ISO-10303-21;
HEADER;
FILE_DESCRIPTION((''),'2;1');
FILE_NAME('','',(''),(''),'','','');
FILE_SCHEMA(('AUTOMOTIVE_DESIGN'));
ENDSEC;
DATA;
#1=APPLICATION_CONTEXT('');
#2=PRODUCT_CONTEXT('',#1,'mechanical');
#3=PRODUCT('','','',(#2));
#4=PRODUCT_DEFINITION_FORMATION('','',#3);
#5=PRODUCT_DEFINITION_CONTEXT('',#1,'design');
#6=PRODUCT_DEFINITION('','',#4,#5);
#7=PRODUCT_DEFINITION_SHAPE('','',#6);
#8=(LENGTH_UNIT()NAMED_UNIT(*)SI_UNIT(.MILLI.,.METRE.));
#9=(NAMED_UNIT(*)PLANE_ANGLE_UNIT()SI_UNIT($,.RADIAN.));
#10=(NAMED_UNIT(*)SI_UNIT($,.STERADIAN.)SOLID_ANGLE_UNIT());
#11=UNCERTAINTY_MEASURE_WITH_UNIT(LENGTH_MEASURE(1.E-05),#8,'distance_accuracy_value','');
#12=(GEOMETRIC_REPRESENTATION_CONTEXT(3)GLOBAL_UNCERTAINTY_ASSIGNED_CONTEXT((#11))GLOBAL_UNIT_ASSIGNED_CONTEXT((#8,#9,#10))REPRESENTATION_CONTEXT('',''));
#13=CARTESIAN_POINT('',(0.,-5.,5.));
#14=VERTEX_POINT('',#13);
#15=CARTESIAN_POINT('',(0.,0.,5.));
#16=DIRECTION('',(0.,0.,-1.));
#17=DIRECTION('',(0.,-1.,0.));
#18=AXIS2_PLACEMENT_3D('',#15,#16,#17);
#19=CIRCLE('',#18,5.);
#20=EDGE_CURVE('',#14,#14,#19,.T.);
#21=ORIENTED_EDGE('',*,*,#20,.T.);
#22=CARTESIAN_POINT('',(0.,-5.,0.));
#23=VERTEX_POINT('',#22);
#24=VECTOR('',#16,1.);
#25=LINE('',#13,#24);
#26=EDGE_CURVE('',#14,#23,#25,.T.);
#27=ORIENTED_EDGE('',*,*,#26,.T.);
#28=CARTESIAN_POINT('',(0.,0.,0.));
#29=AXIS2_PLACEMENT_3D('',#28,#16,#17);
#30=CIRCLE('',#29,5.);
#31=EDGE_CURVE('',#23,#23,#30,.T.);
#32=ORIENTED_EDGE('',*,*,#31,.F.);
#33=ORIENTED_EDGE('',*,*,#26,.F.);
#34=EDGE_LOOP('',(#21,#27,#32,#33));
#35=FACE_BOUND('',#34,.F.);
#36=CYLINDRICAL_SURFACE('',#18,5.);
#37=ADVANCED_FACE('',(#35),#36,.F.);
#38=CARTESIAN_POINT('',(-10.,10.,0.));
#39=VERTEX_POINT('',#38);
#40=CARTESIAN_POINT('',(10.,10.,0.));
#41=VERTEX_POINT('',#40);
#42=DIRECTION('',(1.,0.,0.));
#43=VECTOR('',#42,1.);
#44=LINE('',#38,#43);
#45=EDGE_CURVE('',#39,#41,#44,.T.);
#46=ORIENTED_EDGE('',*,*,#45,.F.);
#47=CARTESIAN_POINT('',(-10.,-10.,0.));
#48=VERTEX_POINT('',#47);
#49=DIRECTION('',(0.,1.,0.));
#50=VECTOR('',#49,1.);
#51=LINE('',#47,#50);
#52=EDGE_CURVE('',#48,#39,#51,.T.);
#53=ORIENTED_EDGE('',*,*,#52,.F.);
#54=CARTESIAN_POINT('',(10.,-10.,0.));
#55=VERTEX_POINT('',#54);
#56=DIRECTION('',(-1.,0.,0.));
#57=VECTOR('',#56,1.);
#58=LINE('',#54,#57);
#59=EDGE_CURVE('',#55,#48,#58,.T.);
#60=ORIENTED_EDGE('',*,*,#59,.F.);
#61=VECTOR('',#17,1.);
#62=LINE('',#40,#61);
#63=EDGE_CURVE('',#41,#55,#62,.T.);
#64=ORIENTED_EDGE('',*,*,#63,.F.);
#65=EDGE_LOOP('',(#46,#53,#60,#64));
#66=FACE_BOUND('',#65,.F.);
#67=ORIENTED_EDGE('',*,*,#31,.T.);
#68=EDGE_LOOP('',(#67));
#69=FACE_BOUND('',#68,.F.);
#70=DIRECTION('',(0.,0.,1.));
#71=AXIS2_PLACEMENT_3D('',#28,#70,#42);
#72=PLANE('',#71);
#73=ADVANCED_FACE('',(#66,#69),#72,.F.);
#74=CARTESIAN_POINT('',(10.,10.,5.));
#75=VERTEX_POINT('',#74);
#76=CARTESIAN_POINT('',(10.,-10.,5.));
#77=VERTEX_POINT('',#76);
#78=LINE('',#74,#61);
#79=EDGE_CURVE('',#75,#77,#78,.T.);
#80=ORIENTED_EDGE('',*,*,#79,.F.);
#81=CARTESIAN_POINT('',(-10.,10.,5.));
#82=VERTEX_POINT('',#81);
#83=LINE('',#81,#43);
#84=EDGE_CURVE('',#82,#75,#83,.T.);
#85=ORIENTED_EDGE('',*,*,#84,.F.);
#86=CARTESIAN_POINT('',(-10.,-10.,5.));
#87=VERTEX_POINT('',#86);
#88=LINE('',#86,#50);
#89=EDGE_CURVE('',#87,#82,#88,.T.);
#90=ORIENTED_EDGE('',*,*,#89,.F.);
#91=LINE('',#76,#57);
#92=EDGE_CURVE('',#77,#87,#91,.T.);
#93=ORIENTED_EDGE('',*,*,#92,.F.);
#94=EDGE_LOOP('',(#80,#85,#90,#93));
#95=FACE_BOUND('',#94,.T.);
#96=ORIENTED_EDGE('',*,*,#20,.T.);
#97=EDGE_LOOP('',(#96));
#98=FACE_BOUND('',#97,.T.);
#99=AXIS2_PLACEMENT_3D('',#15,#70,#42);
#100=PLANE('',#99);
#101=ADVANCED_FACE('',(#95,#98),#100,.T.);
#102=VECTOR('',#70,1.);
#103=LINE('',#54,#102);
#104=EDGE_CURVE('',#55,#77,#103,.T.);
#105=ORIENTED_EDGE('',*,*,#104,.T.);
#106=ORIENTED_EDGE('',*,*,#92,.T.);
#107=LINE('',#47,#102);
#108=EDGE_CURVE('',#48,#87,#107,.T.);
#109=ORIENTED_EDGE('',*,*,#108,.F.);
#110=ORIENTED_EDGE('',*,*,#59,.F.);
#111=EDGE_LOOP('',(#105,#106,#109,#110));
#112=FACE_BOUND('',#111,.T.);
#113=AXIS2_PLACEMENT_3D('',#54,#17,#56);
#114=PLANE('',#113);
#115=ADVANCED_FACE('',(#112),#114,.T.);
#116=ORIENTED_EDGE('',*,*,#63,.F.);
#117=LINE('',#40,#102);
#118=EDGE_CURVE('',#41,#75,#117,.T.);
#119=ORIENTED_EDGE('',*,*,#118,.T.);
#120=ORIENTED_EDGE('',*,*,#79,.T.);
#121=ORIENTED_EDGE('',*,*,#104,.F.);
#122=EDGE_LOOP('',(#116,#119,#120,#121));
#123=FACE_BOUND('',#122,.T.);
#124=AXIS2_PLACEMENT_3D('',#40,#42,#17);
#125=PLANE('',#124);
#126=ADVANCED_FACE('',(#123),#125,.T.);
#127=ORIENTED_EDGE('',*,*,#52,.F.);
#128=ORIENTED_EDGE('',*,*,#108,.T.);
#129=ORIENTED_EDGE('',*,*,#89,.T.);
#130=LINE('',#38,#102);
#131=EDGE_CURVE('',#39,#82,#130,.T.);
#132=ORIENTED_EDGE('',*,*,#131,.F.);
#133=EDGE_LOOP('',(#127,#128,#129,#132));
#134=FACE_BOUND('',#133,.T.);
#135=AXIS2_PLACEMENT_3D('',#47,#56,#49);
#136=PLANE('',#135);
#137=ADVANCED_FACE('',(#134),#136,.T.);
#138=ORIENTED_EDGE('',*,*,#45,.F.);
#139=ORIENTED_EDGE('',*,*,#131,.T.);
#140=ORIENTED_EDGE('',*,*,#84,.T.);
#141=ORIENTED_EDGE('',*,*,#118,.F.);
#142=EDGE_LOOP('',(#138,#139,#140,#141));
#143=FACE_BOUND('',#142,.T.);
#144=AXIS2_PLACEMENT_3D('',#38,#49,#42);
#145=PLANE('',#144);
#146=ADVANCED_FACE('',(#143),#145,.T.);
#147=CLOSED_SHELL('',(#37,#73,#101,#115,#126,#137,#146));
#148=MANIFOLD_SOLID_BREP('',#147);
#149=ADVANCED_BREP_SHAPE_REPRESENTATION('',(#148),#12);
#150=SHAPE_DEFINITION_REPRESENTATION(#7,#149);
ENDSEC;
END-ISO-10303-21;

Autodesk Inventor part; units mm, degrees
ref_plane "YZ Plane" through (0, 0, 0) normal (1, 0, 0) x (0, 1, 0)
ref_plane "XZ Plane" through (0, 0, 0) normal (0, 1, 0) x (-1, 0, 0)
ref_plane "XY Plane" through (0, 0, 0) normal (0, 0, 1) x (1, 0, 0)
sketch "スケッチ22" plane through (0, 0, 0) normal (0, 0, 1) x (1, 0, 0)
  line L0 (-10, 10) -> (10, 10)
  line L1 (10, 10) -> (10, -10)
  line L2 (10, -10) -> (-10, -10)
  line L3 (-10, -10) -> (-10, 10)
  line L4 (-10, 10) -> (10, -10) construction
  line L5 (10, 10) -> (-10, -10) construction
  point P0 (0, 0)
  dimension "d144" = 20
  dimension "d145" = 20
extrude "押し出し14" add sketch "スケッチ22" along normal blind 5
sketch "スケッチ24" plane through (0, 0, 5) normal (0, 0, 1) x (1, 0, 0)
  point P0 (0, 0)
  point P1 (0, 0)
hole "穴10" at (0, 0, 5) direction (0, 0, -1) diameter 10 end through all
properties material "A5052"
